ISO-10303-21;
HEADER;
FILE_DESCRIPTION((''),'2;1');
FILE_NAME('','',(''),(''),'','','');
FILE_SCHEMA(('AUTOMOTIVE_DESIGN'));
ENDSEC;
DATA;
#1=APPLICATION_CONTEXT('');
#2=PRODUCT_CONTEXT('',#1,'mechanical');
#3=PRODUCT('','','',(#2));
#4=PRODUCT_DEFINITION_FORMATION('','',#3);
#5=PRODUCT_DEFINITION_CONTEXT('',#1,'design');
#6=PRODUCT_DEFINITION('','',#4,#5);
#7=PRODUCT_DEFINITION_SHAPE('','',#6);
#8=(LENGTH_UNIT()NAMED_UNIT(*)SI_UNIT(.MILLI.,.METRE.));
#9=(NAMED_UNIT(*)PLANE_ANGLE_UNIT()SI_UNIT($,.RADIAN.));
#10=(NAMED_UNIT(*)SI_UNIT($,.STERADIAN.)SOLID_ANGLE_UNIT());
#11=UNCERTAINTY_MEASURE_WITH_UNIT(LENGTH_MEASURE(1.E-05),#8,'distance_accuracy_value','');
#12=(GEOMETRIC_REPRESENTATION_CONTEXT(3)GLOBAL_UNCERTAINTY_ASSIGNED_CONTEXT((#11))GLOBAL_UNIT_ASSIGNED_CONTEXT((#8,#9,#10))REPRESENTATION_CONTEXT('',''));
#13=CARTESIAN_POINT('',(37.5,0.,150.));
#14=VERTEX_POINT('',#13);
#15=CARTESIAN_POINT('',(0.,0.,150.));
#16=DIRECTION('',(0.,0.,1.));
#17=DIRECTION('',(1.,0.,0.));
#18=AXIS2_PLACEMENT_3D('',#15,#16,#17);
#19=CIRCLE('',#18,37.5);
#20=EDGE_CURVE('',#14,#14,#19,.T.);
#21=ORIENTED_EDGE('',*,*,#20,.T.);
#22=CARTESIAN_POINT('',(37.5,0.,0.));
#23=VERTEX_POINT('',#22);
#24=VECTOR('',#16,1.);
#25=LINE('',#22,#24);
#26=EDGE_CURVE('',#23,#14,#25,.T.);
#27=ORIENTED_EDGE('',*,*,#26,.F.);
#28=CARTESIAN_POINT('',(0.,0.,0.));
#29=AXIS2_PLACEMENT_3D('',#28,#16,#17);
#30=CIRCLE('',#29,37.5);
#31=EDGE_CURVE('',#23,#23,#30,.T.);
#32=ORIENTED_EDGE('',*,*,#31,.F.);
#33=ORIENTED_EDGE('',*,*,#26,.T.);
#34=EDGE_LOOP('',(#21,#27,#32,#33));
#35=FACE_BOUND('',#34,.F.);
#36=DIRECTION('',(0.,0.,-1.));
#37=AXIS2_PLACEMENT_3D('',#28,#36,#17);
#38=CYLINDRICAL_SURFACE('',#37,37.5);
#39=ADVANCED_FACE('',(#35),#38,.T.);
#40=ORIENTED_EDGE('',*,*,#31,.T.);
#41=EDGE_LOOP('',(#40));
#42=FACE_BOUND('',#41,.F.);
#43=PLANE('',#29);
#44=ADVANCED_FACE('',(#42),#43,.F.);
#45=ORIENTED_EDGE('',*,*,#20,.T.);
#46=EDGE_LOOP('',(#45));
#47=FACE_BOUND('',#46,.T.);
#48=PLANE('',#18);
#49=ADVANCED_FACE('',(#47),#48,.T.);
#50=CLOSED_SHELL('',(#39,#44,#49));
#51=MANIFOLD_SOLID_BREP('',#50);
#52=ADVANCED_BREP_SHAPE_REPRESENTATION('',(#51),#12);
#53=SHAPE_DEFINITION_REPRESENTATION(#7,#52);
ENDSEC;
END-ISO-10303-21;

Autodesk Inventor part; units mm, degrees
ref_plane "YZ Plane" through (0, 0, 0) normal (1, 0, 0) x (0, 1, 0)
ref_plane "XZ Plane" through (0, 0, 0) normal (0, 1, 0) x (-1, 0, 0)
ref_plane "XY Plane" through (0, 0, 0) normal (0, 0, 1) x (1, 0, 0)
sketch "Sketch1" plane through (0, 0, 0) normal (0, 0, 1) x (1, 0, 0)
  circle A0 centre (0, 0) radius 37.5
  dimension "d0" = 75
extrude "Extrusion1" add sketch "Sketch1" along normal blind 150
properties part number "Parachute" material "Nylon"
